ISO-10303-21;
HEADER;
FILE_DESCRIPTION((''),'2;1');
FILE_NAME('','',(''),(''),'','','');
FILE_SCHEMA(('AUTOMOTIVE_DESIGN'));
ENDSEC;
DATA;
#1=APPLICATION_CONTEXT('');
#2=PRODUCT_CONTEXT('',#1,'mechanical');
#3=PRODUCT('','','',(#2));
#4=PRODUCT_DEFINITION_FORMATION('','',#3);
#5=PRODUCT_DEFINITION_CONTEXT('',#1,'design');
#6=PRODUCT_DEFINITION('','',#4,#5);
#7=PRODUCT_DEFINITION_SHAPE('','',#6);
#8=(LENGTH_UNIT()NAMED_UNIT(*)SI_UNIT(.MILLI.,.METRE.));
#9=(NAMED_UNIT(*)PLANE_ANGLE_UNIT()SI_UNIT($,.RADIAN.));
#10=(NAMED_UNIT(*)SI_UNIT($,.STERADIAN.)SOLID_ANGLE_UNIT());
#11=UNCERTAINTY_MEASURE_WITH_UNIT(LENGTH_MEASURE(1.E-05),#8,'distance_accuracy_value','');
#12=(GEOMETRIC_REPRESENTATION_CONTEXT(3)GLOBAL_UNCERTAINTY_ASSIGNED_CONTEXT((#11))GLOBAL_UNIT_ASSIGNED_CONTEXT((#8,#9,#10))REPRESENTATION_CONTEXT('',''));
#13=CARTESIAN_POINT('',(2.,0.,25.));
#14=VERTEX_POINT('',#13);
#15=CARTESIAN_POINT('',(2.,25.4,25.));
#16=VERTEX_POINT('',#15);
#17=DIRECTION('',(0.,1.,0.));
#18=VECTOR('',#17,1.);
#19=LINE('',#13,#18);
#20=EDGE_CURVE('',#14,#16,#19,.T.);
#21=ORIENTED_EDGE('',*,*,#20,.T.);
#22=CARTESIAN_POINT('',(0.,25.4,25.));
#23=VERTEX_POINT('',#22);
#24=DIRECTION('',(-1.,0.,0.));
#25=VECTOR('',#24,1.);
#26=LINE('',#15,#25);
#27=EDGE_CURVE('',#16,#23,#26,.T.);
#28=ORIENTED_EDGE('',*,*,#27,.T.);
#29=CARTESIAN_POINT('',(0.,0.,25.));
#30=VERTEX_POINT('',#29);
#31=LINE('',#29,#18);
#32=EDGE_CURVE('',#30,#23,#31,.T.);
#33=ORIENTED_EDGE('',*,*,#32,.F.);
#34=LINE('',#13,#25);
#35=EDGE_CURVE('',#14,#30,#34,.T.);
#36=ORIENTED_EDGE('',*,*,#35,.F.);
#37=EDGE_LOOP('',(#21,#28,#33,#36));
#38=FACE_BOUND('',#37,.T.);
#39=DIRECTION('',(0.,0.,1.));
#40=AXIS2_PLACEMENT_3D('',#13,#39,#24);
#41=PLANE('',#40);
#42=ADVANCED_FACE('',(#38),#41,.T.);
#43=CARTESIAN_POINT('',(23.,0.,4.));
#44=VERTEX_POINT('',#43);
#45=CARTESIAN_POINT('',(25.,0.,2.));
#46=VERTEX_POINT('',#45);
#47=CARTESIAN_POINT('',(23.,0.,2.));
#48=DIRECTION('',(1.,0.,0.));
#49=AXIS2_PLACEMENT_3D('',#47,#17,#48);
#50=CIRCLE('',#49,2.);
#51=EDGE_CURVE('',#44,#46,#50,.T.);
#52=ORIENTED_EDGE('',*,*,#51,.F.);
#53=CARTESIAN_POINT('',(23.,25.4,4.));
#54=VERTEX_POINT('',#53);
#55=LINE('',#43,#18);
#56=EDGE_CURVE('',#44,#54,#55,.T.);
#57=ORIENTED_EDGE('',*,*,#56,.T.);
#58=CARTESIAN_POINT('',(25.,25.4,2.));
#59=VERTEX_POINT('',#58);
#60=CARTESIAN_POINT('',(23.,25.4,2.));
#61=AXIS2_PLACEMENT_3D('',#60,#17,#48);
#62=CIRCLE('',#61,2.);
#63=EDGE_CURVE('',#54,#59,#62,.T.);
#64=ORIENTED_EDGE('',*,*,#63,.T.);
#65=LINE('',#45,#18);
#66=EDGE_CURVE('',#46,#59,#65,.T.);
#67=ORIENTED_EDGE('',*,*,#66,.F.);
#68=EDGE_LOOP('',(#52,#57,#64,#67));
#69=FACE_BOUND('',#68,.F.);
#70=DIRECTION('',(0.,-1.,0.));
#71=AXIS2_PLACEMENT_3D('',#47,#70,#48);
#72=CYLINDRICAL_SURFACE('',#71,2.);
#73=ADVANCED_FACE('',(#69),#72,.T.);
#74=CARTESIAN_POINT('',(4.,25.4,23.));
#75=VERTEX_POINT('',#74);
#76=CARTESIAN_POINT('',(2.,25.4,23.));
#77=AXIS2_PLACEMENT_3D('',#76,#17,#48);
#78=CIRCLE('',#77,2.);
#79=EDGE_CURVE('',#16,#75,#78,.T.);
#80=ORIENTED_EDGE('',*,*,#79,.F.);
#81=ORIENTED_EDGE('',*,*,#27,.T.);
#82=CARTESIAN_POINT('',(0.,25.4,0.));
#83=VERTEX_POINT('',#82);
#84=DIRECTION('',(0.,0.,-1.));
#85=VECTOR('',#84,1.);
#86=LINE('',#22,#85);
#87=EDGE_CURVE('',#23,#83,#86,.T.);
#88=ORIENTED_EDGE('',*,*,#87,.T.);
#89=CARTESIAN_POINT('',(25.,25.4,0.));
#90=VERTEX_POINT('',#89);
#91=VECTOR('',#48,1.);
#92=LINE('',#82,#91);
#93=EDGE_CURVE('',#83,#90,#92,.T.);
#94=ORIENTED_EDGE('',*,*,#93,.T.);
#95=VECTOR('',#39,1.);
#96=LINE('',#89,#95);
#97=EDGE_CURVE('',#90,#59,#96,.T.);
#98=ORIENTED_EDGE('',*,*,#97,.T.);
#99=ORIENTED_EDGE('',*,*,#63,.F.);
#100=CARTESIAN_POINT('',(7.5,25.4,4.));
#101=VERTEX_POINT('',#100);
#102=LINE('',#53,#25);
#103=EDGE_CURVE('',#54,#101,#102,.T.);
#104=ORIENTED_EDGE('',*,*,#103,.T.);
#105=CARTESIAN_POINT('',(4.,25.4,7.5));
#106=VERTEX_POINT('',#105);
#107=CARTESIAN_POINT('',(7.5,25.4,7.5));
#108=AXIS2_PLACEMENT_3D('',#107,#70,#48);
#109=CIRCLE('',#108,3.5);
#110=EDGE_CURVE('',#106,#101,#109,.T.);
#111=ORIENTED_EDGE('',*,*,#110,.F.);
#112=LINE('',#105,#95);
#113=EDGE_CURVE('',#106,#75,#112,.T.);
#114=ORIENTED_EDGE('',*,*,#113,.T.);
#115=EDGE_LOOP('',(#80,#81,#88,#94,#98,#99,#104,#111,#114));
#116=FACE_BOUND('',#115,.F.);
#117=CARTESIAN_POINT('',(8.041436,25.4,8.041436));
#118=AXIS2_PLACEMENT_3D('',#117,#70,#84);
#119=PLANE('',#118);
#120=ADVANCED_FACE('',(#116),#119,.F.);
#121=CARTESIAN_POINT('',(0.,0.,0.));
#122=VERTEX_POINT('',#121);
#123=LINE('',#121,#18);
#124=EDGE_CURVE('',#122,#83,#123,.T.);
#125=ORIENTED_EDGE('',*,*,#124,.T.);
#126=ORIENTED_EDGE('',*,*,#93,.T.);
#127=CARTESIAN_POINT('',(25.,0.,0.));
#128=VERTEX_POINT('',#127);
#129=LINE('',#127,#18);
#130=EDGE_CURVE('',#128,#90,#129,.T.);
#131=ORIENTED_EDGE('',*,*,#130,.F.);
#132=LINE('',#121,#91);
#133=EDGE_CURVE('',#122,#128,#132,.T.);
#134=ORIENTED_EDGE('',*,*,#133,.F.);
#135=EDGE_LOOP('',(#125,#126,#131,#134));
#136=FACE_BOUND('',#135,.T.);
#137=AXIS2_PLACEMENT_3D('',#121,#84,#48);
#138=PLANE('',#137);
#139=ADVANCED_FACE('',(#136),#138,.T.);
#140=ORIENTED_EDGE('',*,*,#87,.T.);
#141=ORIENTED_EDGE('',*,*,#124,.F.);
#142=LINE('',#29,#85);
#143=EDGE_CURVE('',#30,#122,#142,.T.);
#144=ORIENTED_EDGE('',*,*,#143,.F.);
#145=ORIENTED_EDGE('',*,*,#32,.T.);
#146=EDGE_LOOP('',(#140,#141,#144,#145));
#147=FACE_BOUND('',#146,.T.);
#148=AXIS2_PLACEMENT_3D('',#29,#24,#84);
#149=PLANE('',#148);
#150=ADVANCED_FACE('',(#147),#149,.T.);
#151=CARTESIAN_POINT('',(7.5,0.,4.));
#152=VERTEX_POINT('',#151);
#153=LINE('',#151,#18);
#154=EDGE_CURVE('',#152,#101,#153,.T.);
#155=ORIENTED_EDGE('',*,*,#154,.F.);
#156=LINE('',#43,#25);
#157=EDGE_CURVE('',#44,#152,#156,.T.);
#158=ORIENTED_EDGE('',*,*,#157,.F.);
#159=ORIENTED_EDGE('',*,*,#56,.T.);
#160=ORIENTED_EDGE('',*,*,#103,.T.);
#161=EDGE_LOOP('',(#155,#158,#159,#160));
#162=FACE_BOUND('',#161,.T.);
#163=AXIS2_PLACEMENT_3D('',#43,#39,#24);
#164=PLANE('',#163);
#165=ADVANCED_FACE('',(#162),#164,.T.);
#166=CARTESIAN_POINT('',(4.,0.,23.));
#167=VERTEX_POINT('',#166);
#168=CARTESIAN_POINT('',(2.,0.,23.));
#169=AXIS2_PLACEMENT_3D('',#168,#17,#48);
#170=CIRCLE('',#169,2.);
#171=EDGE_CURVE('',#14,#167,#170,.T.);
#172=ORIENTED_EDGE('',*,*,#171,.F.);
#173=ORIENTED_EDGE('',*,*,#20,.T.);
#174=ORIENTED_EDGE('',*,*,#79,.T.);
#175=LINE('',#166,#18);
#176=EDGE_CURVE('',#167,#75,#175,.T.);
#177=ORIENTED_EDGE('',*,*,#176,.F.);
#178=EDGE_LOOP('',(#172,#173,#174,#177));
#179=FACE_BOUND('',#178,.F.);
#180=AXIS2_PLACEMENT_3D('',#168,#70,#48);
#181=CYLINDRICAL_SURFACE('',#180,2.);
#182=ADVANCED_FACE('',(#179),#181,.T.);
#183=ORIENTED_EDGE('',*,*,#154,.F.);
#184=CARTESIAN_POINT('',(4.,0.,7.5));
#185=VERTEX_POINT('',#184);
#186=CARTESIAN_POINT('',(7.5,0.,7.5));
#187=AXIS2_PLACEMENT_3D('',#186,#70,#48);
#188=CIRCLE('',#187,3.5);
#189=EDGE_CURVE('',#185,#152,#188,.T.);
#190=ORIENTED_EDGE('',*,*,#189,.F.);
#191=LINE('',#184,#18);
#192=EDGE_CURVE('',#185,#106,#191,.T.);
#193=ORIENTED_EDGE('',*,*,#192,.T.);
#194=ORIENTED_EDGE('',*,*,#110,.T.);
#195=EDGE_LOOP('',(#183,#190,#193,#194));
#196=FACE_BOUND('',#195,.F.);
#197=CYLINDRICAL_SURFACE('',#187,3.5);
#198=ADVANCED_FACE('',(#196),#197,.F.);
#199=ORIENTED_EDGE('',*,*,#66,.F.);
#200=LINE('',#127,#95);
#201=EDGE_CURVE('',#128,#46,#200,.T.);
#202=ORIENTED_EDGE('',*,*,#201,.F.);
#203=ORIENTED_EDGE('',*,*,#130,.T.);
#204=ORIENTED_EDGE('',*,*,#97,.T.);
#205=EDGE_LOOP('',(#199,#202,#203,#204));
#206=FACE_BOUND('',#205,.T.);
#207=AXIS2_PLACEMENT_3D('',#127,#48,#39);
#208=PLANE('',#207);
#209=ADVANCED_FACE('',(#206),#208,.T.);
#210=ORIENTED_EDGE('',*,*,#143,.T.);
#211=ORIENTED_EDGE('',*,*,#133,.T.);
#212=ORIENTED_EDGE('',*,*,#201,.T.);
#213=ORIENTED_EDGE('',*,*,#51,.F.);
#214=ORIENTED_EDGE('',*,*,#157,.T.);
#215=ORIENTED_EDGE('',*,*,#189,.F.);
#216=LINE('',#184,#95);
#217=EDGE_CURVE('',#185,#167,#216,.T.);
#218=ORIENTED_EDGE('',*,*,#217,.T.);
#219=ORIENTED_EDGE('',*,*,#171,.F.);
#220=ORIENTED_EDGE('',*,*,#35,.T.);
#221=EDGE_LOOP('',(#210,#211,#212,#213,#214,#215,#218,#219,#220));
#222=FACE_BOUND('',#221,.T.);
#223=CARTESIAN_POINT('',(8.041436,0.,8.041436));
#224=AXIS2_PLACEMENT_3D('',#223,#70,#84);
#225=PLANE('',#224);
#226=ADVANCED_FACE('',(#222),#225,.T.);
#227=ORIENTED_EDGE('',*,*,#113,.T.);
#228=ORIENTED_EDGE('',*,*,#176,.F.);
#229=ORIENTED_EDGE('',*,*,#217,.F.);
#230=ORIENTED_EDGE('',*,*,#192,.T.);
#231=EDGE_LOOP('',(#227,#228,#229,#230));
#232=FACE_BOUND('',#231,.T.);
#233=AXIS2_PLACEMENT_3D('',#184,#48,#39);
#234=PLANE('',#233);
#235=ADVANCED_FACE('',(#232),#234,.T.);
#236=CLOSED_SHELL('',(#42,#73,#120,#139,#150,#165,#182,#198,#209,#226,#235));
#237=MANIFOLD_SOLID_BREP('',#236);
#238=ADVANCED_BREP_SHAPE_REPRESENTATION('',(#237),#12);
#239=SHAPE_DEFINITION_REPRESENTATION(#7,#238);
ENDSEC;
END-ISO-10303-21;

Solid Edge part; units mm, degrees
sketch "Sketch1" plane through (0, 0, 0) normal (0, -1, 0) x (1, 0, 0)
  line L0 (25, 0) -> (25, 2)
  arc A0 (23, 4) -> (25, 2) centre (23, 2) cw
  line L1 (23, 4) -> (7.5, 4)
  arc A1 (4, 7.5) -> (7.5, 4) centre (7.5, 7.5) ccw
  line L2 (4, 7.5) -> (4, 23)
  arc A2 (2, 25) -> (4, 23) centre (2, 23) cw
  line L3 (2, 25) -> (0, 25)
  line L4 (0, 25) -> (0, 0)
  line L5 (0, 0) -> (25, 0)
  dimension "D1" = 25
  dimension "D2" = 25
  dimension "D3" = 4
  dimension "D4" = 4
extrude "Protrusion1" add sketch "Sketch1" against normal blind 25.4
